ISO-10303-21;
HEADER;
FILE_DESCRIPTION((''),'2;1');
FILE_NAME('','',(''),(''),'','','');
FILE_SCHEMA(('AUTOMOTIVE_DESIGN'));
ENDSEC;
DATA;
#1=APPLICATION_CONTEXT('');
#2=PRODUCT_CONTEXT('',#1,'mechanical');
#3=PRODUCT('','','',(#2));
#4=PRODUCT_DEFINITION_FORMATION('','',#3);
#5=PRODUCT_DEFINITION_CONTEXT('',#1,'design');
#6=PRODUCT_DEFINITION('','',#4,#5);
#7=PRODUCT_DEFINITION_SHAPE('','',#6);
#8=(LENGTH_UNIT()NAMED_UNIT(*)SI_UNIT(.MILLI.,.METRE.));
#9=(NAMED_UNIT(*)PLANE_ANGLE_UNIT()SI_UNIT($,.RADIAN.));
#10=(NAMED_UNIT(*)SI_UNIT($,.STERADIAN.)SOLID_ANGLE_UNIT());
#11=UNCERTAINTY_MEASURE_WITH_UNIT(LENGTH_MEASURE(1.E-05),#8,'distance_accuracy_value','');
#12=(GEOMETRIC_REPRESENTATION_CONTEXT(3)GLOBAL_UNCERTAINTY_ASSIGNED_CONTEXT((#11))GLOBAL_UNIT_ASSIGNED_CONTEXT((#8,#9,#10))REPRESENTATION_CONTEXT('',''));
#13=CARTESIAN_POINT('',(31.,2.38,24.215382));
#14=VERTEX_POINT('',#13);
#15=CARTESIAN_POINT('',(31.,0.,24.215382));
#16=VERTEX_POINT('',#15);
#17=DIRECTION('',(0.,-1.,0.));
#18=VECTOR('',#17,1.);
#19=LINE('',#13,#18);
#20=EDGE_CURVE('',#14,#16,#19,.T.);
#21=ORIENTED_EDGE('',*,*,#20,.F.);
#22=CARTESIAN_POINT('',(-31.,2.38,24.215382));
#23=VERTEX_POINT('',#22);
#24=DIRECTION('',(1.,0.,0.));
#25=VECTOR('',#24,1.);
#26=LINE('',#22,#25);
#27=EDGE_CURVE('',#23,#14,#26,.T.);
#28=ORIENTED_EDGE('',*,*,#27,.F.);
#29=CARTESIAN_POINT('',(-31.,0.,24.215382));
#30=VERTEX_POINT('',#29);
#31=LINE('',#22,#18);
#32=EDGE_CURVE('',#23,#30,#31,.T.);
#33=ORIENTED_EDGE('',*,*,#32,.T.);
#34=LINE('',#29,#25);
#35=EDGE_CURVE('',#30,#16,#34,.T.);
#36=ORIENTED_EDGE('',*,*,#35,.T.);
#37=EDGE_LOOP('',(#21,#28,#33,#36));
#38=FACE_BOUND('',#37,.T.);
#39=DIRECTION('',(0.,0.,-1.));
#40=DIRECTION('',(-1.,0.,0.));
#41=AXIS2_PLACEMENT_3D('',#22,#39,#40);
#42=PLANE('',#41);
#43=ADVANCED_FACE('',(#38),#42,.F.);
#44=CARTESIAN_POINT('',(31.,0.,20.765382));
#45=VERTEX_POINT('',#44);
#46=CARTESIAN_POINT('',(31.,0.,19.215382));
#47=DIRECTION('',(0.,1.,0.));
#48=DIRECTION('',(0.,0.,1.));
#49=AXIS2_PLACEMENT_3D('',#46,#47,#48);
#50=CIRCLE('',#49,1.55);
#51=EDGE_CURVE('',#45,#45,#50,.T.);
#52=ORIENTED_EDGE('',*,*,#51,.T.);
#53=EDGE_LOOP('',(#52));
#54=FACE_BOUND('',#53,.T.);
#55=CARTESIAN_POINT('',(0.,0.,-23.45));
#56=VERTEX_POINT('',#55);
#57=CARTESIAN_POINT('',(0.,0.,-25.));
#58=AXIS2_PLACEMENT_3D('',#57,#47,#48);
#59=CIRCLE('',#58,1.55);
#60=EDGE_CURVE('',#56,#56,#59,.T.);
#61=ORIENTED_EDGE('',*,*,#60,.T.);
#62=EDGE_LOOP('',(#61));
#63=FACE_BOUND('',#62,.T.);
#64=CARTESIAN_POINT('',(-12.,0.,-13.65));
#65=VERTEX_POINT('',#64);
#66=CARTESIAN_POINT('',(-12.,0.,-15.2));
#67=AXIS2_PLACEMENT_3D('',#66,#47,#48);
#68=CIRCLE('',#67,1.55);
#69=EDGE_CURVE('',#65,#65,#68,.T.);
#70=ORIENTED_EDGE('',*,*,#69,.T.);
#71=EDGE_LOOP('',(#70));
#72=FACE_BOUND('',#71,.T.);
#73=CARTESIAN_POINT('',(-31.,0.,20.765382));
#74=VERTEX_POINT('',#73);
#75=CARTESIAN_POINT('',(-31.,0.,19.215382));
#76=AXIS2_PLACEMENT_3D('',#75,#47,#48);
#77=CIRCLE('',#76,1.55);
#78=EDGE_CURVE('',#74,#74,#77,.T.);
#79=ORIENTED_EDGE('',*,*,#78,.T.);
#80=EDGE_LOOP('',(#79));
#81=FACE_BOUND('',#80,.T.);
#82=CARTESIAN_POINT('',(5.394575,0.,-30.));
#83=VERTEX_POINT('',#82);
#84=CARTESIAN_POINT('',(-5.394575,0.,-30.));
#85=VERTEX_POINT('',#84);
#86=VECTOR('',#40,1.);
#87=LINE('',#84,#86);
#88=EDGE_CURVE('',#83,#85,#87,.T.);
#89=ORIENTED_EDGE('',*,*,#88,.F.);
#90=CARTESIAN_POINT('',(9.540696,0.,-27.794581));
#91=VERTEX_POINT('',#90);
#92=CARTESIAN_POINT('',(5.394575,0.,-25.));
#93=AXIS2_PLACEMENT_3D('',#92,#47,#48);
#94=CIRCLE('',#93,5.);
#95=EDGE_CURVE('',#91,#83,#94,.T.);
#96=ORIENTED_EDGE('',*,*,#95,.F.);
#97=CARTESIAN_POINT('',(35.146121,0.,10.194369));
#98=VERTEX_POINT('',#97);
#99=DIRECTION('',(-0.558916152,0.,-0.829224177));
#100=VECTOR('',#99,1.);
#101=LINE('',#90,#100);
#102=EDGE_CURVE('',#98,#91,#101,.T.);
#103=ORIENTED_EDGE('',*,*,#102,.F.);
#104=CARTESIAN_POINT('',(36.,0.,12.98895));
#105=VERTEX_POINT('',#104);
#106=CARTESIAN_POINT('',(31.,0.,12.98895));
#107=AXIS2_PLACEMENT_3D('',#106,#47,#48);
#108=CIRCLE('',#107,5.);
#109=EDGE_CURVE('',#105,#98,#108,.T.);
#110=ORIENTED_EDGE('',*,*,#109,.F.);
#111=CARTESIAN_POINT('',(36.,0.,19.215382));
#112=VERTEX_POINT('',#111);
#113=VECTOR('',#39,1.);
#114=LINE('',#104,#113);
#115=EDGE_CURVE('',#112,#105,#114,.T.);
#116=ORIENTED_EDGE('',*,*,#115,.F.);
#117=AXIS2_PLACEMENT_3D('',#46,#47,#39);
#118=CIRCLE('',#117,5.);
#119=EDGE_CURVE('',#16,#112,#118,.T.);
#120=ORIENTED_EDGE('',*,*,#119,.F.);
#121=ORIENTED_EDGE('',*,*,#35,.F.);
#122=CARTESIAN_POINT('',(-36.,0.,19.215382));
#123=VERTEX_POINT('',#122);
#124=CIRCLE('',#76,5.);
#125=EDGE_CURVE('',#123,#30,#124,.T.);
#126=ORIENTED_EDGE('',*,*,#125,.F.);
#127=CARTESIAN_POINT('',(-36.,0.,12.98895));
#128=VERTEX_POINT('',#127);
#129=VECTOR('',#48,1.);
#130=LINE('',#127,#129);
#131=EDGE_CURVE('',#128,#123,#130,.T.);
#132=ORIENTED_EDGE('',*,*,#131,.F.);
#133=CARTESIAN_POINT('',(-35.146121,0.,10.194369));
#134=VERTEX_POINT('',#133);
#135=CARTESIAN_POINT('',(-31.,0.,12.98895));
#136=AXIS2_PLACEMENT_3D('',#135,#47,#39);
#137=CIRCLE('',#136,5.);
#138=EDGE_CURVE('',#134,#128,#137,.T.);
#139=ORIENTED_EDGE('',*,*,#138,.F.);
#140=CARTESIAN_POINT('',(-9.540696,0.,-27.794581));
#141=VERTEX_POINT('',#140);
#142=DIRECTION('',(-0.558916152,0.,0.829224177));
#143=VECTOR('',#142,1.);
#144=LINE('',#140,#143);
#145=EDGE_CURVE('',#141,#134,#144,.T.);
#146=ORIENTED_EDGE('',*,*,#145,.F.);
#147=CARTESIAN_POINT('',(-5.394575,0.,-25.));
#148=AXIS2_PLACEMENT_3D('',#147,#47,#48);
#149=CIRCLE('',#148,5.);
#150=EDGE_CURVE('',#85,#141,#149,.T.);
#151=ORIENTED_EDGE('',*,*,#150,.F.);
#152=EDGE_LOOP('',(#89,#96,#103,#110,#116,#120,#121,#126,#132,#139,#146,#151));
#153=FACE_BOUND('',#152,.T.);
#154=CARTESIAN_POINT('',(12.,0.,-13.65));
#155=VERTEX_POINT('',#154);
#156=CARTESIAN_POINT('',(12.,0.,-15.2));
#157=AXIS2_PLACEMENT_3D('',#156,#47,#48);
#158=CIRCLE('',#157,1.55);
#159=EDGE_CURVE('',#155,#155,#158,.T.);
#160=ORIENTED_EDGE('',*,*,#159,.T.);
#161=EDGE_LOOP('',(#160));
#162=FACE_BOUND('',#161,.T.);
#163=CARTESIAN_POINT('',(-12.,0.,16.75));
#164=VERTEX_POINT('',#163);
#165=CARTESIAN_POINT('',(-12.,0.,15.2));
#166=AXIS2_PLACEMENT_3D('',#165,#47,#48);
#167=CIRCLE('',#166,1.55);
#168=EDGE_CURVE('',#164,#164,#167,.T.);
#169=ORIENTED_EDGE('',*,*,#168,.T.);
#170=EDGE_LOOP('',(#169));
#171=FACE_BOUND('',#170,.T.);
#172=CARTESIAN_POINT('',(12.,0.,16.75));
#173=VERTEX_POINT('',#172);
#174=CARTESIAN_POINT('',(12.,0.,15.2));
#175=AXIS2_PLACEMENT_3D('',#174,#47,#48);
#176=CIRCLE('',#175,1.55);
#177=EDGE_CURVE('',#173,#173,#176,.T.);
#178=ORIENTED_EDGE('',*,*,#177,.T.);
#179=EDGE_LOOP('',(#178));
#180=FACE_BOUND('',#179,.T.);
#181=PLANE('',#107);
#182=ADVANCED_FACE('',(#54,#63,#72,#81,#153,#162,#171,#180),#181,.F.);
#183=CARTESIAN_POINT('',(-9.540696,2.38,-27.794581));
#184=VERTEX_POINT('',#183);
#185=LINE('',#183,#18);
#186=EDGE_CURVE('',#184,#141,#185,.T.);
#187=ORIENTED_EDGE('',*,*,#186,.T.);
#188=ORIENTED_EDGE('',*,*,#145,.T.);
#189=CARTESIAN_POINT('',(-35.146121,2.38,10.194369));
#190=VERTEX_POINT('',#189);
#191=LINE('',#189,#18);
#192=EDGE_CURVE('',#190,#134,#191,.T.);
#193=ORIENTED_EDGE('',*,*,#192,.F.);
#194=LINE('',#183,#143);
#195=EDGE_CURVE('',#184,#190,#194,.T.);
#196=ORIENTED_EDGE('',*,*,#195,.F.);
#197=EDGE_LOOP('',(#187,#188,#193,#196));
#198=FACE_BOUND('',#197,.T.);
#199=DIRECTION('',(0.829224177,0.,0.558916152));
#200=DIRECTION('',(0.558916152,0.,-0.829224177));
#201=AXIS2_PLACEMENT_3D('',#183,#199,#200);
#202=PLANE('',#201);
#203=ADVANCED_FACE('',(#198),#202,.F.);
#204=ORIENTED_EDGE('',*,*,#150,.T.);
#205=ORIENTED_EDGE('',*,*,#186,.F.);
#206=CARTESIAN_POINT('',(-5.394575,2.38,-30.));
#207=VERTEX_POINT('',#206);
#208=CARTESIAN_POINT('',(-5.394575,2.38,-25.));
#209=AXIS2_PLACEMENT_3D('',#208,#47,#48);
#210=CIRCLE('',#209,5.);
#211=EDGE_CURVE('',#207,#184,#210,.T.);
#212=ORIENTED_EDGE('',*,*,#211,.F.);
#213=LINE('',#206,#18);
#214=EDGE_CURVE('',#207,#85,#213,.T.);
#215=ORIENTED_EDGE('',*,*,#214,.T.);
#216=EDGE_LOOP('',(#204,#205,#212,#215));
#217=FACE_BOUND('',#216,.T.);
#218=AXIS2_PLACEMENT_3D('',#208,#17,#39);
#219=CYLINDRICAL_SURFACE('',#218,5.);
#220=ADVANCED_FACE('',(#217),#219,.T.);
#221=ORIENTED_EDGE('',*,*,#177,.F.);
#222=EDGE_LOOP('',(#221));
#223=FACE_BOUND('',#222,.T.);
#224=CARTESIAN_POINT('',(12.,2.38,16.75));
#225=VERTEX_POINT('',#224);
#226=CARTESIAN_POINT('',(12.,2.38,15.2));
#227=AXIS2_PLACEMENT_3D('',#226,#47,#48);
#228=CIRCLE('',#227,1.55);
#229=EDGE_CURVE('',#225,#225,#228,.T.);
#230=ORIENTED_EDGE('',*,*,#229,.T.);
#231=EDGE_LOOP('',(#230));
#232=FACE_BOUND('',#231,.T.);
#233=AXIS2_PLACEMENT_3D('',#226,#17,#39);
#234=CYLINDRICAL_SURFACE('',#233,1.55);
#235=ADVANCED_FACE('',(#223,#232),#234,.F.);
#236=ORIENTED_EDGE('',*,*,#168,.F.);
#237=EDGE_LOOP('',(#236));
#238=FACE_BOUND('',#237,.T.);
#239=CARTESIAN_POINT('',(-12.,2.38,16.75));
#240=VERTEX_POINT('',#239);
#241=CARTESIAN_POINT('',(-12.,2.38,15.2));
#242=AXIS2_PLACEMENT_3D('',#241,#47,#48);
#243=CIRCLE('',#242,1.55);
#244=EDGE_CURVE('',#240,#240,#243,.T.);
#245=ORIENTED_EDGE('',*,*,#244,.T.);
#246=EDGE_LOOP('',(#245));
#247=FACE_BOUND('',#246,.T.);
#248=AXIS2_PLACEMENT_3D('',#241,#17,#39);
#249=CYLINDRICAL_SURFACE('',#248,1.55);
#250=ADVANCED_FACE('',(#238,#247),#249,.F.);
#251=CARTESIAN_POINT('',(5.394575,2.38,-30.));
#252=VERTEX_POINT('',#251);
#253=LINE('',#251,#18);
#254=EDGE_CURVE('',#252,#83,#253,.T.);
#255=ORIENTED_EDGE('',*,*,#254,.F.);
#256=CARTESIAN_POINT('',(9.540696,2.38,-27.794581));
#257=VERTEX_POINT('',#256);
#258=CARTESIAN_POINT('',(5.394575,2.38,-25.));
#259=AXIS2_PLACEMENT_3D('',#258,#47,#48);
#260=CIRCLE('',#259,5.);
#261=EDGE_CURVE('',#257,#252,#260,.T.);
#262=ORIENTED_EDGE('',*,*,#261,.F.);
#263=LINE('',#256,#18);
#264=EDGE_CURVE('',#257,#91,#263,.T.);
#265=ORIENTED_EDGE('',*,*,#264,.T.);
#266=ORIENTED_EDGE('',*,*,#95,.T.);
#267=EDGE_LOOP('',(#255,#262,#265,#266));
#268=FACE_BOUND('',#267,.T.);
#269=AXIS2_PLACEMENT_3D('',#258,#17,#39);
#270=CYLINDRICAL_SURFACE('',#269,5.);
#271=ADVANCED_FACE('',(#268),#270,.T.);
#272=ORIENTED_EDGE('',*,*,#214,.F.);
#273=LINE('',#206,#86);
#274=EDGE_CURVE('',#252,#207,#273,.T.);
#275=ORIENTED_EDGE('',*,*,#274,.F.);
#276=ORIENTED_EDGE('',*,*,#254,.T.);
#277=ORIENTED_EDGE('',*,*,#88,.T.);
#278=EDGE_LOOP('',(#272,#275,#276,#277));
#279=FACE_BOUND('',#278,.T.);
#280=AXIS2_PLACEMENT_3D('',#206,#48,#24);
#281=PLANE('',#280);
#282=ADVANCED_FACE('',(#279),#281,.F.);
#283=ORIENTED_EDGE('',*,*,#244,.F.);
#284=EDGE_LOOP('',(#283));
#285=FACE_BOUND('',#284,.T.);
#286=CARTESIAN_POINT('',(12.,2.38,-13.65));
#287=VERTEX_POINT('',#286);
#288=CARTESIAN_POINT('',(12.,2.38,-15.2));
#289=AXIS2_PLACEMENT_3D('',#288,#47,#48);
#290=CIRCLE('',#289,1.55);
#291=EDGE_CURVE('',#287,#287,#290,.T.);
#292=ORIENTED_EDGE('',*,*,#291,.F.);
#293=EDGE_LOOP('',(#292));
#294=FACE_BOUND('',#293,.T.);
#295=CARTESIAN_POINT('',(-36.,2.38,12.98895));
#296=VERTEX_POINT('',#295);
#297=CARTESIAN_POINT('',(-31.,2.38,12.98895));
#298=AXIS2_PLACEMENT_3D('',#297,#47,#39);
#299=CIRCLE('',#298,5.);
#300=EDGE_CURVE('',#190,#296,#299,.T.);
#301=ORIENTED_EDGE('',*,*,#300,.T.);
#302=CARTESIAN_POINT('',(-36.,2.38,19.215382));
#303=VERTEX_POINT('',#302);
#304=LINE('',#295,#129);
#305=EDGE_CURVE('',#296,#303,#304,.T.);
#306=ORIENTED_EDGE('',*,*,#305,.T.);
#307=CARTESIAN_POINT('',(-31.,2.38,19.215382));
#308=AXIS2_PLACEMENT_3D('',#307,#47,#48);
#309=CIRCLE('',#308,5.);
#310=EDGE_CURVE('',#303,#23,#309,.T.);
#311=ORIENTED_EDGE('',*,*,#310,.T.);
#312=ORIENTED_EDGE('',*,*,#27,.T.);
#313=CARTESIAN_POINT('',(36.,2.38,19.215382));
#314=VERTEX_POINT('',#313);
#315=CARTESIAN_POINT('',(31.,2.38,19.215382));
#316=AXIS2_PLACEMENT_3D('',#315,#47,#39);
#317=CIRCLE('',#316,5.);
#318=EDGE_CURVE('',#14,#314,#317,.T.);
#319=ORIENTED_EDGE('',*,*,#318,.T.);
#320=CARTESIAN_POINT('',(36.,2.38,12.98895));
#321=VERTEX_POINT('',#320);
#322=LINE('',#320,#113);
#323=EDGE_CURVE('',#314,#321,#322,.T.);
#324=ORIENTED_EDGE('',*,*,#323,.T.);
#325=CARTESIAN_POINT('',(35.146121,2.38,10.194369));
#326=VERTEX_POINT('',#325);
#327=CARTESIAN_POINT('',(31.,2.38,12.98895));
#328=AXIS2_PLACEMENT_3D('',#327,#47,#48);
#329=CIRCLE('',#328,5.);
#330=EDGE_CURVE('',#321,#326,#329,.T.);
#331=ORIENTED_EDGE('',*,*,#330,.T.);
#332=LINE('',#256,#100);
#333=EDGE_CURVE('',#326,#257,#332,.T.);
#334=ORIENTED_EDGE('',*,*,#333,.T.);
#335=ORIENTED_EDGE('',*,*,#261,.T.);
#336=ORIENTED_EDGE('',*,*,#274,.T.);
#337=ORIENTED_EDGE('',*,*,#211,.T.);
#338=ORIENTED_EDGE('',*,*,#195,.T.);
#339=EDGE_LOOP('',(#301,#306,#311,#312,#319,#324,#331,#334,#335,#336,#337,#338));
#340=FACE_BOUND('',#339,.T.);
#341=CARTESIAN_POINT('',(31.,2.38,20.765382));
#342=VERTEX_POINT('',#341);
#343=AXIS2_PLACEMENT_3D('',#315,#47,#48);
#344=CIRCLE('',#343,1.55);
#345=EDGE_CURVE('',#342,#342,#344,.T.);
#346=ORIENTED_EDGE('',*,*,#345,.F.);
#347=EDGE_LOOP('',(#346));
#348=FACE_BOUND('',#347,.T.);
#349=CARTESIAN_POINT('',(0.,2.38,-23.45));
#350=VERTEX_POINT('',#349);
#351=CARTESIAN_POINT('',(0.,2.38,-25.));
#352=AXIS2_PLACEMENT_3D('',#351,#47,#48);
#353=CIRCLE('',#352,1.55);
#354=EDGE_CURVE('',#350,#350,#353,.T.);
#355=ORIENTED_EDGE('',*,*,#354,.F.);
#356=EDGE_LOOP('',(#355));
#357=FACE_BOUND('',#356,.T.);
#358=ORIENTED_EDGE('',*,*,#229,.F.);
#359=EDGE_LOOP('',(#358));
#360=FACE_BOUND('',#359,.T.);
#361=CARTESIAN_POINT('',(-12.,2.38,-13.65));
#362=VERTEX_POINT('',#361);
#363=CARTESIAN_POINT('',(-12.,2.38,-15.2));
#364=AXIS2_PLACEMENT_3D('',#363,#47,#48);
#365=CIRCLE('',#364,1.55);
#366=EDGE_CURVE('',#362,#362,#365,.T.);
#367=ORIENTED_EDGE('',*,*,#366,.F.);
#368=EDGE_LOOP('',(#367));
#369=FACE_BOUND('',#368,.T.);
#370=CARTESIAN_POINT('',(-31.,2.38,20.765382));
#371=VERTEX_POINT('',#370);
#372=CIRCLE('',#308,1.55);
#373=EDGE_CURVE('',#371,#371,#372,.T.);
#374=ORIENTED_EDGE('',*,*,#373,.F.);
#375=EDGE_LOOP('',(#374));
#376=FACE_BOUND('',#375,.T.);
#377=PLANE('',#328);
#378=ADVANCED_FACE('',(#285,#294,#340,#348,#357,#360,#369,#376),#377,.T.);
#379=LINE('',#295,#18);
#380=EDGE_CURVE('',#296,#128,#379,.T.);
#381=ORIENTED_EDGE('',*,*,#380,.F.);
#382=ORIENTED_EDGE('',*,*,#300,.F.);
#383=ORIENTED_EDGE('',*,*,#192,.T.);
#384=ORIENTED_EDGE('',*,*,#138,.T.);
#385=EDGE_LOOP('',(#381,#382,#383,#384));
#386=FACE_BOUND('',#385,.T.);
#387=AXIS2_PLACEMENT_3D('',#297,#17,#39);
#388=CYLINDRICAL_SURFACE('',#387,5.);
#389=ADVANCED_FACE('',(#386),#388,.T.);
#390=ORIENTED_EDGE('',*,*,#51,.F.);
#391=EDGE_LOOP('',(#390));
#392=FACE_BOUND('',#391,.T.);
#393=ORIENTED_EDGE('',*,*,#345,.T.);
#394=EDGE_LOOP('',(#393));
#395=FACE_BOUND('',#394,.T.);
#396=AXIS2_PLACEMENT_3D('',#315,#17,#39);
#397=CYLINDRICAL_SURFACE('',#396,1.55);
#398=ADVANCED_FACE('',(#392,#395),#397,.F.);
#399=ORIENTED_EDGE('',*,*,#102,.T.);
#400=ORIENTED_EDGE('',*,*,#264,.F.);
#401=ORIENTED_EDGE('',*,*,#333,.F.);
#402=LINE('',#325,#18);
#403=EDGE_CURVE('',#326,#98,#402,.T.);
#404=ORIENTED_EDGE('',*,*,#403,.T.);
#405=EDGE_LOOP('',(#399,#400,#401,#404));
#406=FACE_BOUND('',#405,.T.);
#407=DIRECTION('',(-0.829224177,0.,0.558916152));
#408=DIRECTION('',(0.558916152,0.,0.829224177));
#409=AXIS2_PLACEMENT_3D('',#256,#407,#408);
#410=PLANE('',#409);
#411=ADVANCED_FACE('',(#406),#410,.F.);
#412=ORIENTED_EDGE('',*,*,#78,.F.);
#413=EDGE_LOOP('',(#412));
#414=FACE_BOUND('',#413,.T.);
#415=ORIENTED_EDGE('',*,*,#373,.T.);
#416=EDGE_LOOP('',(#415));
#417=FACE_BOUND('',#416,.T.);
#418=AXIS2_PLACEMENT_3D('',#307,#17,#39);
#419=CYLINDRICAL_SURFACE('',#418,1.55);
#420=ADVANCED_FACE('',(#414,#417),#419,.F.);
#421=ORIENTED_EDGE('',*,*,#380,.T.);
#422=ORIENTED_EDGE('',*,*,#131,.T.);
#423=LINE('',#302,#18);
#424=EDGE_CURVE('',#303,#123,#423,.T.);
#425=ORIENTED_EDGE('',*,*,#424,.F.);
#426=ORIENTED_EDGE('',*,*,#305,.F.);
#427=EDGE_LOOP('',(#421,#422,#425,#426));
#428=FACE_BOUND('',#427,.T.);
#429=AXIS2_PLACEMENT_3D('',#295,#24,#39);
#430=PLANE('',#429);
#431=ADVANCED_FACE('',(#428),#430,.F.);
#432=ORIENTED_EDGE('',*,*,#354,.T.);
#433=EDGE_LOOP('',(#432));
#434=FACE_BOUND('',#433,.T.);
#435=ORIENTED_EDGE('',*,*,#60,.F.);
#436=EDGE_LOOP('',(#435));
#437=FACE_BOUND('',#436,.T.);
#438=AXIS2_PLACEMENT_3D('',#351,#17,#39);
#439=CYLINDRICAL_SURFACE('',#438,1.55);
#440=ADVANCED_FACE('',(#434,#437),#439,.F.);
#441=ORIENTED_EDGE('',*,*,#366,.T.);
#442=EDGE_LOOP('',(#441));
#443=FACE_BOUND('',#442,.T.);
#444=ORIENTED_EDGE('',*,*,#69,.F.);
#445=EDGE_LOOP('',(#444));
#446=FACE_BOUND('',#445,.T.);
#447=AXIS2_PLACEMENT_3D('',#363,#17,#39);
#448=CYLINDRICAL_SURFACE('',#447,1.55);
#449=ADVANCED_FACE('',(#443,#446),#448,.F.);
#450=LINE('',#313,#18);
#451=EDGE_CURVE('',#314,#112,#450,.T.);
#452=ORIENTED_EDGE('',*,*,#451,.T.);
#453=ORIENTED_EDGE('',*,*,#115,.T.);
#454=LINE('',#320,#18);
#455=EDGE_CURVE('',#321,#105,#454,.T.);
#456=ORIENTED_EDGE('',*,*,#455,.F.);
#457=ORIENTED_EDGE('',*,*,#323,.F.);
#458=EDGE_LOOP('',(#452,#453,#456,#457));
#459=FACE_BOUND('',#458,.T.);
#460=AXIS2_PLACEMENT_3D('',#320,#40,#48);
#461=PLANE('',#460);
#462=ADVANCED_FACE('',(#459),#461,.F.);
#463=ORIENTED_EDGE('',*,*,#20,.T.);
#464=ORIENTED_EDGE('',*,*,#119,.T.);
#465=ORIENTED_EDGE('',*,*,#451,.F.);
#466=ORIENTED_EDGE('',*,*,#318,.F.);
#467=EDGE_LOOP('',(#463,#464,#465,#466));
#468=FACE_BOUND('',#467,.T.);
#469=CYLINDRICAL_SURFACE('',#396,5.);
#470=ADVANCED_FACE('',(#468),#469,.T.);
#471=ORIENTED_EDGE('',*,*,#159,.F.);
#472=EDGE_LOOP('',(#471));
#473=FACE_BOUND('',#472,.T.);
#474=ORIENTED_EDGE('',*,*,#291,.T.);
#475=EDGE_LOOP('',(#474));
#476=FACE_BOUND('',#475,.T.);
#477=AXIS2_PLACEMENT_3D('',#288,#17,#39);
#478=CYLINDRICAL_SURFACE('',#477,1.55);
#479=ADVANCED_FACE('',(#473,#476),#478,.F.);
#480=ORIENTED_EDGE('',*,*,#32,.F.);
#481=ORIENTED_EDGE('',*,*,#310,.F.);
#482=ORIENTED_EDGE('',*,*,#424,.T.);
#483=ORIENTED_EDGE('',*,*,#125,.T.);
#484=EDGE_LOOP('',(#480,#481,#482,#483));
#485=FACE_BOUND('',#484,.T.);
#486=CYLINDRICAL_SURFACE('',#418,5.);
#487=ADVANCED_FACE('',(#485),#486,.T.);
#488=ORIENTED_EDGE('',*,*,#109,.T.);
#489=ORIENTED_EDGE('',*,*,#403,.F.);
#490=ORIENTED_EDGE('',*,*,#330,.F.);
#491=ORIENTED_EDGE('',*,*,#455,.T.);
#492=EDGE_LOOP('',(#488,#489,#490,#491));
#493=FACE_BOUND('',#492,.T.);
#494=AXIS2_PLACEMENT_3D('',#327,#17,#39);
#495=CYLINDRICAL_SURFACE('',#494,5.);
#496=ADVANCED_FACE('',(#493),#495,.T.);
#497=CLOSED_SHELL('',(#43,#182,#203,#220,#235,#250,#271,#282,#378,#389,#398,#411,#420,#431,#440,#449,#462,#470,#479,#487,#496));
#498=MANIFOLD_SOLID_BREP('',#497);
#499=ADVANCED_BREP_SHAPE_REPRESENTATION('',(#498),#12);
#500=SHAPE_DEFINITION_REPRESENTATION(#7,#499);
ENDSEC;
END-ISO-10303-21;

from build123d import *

# Parameters (mm, degrees)
SKETCH1_R           = 1.55
BOSS_EXTRUDE1_DEPTH = 2.38


with BuildPart() as part:
    # Sketch1 → Boss-Extrude1 (new body)
    with BuildSketch(Plane(origin=(0, 0, 0), x_dir=(1, 0, 0), z_dir=(0, 1, 0))):
        with BuildLine():
            Line((-5.394574785, 30), (5.394574785, 30))
            ThreePointArc((5.394574785, 30), (7.742669354, 29.414346146), (9.54069567, 27.794580758))
            Line((9.54069567, 27.794580758), (35.146120884, -10.194369075))
            ThreePointArc((35.146120884, -10.194369075), (35.781767687, -11.527889331), (36, -12.988949833))
            Line((36, -12.988949833), (36, -19.215381939))
            ThreePointArc((36, -19.215381939), (34.535533906, -22.750915845), (31, -24.215381939))
            Line((31, -24.215381939), (-31, -24.215381939))
            ThreePointArc((-31, -24.215381939), (-34.535533906, -22.750915845), (-36, -19.215381939))
            Line((-36, -19.215381939), (-36, -12.988949833))
            ThreePointArc((-36, -12.988949833), (-35.781767687, -11.527889331), (-35.146120884, -10.194369075))
            Line((-35.146120884, -10.194369075), (-9.54069567, 27.794580758))
            ThreePointArc((-9.54069567, 27.794580758), (-7.742669354, 29.414346146), (-5.394574785, 30))
        make_face()
        with Locations(Location((0, 25, 0), (0, 0, 270))):
            Circle(SKETCH1_R, mode=Mode.SUBTRACT)
        with Locations(Location((-31, -19.215381939, 0), (0, 0, 270))):
            Circle(SKETCH1_R, mode=Mode.SUBTRACT)
        with Locations(Location((31, -19.215381939, 0), (0, 0, 270))):
            Circle(SKETCH1_R, mode=Mode.SUBTRACT)
        with Locations(Location((12, -15.2, 0), (0, 0, 270))):
            Circle(SKETCH1_R, mode=Mode.SUBTRACT)
        with Locations(Location((-12, -15.2, 0), (0, 0, 270))):
            Circle(SKETCH1_R, mode=Mode.SUBTRACT)
        with Locations(Location((-12, 15.2, 0), (0, 0, 270))):
            Circle(SKETCH1_R, mode=Mode.SUBTRACT)
        with Locations(Location((12, 15.2, 0), (0, 0, 270))):
            Circle(SKETCH1_R, mode=Mode.SUBTRACT)
    extrude(amount=BOSS_EXTRUDE1_DEPTH)


solid = part.part
